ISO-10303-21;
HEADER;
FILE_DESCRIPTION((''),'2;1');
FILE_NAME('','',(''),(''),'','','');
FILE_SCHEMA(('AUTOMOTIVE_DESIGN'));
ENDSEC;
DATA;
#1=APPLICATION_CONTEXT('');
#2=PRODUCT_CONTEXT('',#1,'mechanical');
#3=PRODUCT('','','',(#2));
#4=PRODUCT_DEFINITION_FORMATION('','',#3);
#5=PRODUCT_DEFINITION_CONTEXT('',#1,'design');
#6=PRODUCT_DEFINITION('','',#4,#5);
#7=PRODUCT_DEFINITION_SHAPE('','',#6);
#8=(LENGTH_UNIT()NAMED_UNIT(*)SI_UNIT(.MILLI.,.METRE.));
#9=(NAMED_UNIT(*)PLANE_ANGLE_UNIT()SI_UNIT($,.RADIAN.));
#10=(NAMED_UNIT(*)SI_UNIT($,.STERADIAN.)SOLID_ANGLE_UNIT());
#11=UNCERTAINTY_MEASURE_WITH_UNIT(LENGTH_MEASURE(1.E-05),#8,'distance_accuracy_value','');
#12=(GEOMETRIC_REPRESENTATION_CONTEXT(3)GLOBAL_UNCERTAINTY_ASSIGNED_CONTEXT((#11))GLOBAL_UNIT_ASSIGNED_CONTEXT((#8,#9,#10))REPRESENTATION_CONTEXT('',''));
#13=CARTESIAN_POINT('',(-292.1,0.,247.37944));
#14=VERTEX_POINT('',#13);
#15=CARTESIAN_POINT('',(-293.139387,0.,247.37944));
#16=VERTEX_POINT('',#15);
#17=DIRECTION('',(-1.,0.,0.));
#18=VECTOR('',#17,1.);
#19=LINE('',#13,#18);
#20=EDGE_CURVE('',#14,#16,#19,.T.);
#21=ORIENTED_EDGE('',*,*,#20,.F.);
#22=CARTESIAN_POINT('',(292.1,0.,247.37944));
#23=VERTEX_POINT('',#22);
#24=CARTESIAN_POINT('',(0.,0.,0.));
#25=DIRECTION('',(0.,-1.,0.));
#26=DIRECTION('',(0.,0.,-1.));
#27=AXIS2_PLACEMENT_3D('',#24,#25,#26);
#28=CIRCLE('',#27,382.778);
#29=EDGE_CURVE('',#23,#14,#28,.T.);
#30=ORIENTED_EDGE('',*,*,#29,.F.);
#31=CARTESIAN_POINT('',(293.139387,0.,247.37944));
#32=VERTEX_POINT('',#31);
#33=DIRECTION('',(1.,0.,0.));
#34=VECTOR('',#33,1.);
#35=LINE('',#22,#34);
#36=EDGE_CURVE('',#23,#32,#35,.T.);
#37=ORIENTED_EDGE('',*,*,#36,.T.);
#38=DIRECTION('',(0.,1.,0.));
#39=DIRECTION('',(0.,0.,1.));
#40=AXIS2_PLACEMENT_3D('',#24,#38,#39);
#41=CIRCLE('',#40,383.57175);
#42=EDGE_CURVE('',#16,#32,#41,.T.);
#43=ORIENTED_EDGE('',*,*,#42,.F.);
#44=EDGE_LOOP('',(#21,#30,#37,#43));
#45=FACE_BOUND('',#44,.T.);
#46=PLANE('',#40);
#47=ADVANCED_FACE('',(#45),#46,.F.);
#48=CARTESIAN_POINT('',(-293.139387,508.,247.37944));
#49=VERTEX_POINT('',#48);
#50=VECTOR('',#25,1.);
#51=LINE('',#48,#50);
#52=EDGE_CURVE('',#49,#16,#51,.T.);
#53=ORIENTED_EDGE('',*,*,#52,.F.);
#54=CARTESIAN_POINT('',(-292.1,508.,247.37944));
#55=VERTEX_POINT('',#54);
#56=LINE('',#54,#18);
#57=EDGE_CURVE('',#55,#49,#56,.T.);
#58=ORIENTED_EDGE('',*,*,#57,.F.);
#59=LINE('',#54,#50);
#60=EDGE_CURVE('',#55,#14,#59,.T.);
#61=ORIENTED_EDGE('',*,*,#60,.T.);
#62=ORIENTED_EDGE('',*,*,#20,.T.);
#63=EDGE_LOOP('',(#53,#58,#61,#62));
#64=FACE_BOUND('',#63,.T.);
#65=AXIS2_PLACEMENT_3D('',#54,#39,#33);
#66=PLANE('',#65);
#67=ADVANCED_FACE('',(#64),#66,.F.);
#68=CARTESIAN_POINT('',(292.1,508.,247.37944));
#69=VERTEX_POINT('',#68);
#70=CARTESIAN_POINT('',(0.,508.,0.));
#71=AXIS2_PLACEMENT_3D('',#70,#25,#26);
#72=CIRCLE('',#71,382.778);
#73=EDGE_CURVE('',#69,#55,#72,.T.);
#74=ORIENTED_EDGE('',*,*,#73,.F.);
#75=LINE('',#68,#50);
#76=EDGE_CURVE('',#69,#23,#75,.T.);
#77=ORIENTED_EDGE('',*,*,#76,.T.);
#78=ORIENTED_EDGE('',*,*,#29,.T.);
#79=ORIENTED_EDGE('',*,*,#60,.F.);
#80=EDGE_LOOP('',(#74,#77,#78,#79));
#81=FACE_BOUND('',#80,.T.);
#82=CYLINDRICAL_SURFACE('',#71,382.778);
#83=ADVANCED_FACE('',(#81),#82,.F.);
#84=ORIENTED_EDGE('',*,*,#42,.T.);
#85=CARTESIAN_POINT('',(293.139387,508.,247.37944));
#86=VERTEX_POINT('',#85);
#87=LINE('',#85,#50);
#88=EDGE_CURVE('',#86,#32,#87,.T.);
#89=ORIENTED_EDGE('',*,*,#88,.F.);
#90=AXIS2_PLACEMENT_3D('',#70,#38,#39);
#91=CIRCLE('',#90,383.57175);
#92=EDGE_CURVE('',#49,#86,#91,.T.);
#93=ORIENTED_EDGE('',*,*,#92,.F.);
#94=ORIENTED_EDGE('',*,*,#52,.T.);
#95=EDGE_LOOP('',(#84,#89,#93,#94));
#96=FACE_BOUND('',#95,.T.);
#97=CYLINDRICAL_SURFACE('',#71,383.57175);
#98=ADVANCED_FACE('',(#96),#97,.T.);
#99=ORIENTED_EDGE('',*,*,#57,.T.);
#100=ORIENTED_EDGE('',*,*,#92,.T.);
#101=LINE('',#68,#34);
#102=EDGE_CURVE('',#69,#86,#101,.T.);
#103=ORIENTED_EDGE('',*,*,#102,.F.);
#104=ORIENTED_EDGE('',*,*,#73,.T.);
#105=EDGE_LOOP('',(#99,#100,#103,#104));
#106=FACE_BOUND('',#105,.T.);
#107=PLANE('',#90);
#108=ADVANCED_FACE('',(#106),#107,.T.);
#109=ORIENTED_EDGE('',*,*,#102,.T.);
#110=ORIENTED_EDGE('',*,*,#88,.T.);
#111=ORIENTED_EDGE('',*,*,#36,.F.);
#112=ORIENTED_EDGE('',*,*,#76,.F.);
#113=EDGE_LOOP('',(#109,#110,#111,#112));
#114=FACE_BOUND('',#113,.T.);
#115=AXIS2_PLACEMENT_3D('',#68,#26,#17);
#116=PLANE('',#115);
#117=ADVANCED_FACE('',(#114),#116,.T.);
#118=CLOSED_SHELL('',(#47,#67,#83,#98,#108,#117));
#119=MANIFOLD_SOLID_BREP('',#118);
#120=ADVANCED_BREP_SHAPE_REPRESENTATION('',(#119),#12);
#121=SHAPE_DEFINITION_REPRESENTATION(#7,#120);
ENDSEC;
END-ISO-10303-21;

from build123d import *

# Parameters (mm, degrees)
BOSS_EXTRUDE2_DEPTH = 508


with BuildPart() as part:
    # Sketch1 → Boss-Extrude2 (new body)
    with BuildSketch(Plane(origin=(0, 0, 0), x_dir=(1, 0, 0), z_dir=(0, 1, 0))):
        with BuildLine():
            Line((292.1, -247.379439897), (293.139386835, -247.379439897))
            ThreePointArc((293.139386835, -247.379439897), (0, -383.57175), (-293.139386835, -247.379439897))
            Line((-293.139386835, -247.379439897), (-292.1, -247.379439897))
            ThreePointArc((-292.1, -247.379439897), (0, -382.778), (292.1, -247.379439897))
        make_face()
    extrude(amount=BOSS_EXTRUDE2_DEPTH)


solid = part.part
